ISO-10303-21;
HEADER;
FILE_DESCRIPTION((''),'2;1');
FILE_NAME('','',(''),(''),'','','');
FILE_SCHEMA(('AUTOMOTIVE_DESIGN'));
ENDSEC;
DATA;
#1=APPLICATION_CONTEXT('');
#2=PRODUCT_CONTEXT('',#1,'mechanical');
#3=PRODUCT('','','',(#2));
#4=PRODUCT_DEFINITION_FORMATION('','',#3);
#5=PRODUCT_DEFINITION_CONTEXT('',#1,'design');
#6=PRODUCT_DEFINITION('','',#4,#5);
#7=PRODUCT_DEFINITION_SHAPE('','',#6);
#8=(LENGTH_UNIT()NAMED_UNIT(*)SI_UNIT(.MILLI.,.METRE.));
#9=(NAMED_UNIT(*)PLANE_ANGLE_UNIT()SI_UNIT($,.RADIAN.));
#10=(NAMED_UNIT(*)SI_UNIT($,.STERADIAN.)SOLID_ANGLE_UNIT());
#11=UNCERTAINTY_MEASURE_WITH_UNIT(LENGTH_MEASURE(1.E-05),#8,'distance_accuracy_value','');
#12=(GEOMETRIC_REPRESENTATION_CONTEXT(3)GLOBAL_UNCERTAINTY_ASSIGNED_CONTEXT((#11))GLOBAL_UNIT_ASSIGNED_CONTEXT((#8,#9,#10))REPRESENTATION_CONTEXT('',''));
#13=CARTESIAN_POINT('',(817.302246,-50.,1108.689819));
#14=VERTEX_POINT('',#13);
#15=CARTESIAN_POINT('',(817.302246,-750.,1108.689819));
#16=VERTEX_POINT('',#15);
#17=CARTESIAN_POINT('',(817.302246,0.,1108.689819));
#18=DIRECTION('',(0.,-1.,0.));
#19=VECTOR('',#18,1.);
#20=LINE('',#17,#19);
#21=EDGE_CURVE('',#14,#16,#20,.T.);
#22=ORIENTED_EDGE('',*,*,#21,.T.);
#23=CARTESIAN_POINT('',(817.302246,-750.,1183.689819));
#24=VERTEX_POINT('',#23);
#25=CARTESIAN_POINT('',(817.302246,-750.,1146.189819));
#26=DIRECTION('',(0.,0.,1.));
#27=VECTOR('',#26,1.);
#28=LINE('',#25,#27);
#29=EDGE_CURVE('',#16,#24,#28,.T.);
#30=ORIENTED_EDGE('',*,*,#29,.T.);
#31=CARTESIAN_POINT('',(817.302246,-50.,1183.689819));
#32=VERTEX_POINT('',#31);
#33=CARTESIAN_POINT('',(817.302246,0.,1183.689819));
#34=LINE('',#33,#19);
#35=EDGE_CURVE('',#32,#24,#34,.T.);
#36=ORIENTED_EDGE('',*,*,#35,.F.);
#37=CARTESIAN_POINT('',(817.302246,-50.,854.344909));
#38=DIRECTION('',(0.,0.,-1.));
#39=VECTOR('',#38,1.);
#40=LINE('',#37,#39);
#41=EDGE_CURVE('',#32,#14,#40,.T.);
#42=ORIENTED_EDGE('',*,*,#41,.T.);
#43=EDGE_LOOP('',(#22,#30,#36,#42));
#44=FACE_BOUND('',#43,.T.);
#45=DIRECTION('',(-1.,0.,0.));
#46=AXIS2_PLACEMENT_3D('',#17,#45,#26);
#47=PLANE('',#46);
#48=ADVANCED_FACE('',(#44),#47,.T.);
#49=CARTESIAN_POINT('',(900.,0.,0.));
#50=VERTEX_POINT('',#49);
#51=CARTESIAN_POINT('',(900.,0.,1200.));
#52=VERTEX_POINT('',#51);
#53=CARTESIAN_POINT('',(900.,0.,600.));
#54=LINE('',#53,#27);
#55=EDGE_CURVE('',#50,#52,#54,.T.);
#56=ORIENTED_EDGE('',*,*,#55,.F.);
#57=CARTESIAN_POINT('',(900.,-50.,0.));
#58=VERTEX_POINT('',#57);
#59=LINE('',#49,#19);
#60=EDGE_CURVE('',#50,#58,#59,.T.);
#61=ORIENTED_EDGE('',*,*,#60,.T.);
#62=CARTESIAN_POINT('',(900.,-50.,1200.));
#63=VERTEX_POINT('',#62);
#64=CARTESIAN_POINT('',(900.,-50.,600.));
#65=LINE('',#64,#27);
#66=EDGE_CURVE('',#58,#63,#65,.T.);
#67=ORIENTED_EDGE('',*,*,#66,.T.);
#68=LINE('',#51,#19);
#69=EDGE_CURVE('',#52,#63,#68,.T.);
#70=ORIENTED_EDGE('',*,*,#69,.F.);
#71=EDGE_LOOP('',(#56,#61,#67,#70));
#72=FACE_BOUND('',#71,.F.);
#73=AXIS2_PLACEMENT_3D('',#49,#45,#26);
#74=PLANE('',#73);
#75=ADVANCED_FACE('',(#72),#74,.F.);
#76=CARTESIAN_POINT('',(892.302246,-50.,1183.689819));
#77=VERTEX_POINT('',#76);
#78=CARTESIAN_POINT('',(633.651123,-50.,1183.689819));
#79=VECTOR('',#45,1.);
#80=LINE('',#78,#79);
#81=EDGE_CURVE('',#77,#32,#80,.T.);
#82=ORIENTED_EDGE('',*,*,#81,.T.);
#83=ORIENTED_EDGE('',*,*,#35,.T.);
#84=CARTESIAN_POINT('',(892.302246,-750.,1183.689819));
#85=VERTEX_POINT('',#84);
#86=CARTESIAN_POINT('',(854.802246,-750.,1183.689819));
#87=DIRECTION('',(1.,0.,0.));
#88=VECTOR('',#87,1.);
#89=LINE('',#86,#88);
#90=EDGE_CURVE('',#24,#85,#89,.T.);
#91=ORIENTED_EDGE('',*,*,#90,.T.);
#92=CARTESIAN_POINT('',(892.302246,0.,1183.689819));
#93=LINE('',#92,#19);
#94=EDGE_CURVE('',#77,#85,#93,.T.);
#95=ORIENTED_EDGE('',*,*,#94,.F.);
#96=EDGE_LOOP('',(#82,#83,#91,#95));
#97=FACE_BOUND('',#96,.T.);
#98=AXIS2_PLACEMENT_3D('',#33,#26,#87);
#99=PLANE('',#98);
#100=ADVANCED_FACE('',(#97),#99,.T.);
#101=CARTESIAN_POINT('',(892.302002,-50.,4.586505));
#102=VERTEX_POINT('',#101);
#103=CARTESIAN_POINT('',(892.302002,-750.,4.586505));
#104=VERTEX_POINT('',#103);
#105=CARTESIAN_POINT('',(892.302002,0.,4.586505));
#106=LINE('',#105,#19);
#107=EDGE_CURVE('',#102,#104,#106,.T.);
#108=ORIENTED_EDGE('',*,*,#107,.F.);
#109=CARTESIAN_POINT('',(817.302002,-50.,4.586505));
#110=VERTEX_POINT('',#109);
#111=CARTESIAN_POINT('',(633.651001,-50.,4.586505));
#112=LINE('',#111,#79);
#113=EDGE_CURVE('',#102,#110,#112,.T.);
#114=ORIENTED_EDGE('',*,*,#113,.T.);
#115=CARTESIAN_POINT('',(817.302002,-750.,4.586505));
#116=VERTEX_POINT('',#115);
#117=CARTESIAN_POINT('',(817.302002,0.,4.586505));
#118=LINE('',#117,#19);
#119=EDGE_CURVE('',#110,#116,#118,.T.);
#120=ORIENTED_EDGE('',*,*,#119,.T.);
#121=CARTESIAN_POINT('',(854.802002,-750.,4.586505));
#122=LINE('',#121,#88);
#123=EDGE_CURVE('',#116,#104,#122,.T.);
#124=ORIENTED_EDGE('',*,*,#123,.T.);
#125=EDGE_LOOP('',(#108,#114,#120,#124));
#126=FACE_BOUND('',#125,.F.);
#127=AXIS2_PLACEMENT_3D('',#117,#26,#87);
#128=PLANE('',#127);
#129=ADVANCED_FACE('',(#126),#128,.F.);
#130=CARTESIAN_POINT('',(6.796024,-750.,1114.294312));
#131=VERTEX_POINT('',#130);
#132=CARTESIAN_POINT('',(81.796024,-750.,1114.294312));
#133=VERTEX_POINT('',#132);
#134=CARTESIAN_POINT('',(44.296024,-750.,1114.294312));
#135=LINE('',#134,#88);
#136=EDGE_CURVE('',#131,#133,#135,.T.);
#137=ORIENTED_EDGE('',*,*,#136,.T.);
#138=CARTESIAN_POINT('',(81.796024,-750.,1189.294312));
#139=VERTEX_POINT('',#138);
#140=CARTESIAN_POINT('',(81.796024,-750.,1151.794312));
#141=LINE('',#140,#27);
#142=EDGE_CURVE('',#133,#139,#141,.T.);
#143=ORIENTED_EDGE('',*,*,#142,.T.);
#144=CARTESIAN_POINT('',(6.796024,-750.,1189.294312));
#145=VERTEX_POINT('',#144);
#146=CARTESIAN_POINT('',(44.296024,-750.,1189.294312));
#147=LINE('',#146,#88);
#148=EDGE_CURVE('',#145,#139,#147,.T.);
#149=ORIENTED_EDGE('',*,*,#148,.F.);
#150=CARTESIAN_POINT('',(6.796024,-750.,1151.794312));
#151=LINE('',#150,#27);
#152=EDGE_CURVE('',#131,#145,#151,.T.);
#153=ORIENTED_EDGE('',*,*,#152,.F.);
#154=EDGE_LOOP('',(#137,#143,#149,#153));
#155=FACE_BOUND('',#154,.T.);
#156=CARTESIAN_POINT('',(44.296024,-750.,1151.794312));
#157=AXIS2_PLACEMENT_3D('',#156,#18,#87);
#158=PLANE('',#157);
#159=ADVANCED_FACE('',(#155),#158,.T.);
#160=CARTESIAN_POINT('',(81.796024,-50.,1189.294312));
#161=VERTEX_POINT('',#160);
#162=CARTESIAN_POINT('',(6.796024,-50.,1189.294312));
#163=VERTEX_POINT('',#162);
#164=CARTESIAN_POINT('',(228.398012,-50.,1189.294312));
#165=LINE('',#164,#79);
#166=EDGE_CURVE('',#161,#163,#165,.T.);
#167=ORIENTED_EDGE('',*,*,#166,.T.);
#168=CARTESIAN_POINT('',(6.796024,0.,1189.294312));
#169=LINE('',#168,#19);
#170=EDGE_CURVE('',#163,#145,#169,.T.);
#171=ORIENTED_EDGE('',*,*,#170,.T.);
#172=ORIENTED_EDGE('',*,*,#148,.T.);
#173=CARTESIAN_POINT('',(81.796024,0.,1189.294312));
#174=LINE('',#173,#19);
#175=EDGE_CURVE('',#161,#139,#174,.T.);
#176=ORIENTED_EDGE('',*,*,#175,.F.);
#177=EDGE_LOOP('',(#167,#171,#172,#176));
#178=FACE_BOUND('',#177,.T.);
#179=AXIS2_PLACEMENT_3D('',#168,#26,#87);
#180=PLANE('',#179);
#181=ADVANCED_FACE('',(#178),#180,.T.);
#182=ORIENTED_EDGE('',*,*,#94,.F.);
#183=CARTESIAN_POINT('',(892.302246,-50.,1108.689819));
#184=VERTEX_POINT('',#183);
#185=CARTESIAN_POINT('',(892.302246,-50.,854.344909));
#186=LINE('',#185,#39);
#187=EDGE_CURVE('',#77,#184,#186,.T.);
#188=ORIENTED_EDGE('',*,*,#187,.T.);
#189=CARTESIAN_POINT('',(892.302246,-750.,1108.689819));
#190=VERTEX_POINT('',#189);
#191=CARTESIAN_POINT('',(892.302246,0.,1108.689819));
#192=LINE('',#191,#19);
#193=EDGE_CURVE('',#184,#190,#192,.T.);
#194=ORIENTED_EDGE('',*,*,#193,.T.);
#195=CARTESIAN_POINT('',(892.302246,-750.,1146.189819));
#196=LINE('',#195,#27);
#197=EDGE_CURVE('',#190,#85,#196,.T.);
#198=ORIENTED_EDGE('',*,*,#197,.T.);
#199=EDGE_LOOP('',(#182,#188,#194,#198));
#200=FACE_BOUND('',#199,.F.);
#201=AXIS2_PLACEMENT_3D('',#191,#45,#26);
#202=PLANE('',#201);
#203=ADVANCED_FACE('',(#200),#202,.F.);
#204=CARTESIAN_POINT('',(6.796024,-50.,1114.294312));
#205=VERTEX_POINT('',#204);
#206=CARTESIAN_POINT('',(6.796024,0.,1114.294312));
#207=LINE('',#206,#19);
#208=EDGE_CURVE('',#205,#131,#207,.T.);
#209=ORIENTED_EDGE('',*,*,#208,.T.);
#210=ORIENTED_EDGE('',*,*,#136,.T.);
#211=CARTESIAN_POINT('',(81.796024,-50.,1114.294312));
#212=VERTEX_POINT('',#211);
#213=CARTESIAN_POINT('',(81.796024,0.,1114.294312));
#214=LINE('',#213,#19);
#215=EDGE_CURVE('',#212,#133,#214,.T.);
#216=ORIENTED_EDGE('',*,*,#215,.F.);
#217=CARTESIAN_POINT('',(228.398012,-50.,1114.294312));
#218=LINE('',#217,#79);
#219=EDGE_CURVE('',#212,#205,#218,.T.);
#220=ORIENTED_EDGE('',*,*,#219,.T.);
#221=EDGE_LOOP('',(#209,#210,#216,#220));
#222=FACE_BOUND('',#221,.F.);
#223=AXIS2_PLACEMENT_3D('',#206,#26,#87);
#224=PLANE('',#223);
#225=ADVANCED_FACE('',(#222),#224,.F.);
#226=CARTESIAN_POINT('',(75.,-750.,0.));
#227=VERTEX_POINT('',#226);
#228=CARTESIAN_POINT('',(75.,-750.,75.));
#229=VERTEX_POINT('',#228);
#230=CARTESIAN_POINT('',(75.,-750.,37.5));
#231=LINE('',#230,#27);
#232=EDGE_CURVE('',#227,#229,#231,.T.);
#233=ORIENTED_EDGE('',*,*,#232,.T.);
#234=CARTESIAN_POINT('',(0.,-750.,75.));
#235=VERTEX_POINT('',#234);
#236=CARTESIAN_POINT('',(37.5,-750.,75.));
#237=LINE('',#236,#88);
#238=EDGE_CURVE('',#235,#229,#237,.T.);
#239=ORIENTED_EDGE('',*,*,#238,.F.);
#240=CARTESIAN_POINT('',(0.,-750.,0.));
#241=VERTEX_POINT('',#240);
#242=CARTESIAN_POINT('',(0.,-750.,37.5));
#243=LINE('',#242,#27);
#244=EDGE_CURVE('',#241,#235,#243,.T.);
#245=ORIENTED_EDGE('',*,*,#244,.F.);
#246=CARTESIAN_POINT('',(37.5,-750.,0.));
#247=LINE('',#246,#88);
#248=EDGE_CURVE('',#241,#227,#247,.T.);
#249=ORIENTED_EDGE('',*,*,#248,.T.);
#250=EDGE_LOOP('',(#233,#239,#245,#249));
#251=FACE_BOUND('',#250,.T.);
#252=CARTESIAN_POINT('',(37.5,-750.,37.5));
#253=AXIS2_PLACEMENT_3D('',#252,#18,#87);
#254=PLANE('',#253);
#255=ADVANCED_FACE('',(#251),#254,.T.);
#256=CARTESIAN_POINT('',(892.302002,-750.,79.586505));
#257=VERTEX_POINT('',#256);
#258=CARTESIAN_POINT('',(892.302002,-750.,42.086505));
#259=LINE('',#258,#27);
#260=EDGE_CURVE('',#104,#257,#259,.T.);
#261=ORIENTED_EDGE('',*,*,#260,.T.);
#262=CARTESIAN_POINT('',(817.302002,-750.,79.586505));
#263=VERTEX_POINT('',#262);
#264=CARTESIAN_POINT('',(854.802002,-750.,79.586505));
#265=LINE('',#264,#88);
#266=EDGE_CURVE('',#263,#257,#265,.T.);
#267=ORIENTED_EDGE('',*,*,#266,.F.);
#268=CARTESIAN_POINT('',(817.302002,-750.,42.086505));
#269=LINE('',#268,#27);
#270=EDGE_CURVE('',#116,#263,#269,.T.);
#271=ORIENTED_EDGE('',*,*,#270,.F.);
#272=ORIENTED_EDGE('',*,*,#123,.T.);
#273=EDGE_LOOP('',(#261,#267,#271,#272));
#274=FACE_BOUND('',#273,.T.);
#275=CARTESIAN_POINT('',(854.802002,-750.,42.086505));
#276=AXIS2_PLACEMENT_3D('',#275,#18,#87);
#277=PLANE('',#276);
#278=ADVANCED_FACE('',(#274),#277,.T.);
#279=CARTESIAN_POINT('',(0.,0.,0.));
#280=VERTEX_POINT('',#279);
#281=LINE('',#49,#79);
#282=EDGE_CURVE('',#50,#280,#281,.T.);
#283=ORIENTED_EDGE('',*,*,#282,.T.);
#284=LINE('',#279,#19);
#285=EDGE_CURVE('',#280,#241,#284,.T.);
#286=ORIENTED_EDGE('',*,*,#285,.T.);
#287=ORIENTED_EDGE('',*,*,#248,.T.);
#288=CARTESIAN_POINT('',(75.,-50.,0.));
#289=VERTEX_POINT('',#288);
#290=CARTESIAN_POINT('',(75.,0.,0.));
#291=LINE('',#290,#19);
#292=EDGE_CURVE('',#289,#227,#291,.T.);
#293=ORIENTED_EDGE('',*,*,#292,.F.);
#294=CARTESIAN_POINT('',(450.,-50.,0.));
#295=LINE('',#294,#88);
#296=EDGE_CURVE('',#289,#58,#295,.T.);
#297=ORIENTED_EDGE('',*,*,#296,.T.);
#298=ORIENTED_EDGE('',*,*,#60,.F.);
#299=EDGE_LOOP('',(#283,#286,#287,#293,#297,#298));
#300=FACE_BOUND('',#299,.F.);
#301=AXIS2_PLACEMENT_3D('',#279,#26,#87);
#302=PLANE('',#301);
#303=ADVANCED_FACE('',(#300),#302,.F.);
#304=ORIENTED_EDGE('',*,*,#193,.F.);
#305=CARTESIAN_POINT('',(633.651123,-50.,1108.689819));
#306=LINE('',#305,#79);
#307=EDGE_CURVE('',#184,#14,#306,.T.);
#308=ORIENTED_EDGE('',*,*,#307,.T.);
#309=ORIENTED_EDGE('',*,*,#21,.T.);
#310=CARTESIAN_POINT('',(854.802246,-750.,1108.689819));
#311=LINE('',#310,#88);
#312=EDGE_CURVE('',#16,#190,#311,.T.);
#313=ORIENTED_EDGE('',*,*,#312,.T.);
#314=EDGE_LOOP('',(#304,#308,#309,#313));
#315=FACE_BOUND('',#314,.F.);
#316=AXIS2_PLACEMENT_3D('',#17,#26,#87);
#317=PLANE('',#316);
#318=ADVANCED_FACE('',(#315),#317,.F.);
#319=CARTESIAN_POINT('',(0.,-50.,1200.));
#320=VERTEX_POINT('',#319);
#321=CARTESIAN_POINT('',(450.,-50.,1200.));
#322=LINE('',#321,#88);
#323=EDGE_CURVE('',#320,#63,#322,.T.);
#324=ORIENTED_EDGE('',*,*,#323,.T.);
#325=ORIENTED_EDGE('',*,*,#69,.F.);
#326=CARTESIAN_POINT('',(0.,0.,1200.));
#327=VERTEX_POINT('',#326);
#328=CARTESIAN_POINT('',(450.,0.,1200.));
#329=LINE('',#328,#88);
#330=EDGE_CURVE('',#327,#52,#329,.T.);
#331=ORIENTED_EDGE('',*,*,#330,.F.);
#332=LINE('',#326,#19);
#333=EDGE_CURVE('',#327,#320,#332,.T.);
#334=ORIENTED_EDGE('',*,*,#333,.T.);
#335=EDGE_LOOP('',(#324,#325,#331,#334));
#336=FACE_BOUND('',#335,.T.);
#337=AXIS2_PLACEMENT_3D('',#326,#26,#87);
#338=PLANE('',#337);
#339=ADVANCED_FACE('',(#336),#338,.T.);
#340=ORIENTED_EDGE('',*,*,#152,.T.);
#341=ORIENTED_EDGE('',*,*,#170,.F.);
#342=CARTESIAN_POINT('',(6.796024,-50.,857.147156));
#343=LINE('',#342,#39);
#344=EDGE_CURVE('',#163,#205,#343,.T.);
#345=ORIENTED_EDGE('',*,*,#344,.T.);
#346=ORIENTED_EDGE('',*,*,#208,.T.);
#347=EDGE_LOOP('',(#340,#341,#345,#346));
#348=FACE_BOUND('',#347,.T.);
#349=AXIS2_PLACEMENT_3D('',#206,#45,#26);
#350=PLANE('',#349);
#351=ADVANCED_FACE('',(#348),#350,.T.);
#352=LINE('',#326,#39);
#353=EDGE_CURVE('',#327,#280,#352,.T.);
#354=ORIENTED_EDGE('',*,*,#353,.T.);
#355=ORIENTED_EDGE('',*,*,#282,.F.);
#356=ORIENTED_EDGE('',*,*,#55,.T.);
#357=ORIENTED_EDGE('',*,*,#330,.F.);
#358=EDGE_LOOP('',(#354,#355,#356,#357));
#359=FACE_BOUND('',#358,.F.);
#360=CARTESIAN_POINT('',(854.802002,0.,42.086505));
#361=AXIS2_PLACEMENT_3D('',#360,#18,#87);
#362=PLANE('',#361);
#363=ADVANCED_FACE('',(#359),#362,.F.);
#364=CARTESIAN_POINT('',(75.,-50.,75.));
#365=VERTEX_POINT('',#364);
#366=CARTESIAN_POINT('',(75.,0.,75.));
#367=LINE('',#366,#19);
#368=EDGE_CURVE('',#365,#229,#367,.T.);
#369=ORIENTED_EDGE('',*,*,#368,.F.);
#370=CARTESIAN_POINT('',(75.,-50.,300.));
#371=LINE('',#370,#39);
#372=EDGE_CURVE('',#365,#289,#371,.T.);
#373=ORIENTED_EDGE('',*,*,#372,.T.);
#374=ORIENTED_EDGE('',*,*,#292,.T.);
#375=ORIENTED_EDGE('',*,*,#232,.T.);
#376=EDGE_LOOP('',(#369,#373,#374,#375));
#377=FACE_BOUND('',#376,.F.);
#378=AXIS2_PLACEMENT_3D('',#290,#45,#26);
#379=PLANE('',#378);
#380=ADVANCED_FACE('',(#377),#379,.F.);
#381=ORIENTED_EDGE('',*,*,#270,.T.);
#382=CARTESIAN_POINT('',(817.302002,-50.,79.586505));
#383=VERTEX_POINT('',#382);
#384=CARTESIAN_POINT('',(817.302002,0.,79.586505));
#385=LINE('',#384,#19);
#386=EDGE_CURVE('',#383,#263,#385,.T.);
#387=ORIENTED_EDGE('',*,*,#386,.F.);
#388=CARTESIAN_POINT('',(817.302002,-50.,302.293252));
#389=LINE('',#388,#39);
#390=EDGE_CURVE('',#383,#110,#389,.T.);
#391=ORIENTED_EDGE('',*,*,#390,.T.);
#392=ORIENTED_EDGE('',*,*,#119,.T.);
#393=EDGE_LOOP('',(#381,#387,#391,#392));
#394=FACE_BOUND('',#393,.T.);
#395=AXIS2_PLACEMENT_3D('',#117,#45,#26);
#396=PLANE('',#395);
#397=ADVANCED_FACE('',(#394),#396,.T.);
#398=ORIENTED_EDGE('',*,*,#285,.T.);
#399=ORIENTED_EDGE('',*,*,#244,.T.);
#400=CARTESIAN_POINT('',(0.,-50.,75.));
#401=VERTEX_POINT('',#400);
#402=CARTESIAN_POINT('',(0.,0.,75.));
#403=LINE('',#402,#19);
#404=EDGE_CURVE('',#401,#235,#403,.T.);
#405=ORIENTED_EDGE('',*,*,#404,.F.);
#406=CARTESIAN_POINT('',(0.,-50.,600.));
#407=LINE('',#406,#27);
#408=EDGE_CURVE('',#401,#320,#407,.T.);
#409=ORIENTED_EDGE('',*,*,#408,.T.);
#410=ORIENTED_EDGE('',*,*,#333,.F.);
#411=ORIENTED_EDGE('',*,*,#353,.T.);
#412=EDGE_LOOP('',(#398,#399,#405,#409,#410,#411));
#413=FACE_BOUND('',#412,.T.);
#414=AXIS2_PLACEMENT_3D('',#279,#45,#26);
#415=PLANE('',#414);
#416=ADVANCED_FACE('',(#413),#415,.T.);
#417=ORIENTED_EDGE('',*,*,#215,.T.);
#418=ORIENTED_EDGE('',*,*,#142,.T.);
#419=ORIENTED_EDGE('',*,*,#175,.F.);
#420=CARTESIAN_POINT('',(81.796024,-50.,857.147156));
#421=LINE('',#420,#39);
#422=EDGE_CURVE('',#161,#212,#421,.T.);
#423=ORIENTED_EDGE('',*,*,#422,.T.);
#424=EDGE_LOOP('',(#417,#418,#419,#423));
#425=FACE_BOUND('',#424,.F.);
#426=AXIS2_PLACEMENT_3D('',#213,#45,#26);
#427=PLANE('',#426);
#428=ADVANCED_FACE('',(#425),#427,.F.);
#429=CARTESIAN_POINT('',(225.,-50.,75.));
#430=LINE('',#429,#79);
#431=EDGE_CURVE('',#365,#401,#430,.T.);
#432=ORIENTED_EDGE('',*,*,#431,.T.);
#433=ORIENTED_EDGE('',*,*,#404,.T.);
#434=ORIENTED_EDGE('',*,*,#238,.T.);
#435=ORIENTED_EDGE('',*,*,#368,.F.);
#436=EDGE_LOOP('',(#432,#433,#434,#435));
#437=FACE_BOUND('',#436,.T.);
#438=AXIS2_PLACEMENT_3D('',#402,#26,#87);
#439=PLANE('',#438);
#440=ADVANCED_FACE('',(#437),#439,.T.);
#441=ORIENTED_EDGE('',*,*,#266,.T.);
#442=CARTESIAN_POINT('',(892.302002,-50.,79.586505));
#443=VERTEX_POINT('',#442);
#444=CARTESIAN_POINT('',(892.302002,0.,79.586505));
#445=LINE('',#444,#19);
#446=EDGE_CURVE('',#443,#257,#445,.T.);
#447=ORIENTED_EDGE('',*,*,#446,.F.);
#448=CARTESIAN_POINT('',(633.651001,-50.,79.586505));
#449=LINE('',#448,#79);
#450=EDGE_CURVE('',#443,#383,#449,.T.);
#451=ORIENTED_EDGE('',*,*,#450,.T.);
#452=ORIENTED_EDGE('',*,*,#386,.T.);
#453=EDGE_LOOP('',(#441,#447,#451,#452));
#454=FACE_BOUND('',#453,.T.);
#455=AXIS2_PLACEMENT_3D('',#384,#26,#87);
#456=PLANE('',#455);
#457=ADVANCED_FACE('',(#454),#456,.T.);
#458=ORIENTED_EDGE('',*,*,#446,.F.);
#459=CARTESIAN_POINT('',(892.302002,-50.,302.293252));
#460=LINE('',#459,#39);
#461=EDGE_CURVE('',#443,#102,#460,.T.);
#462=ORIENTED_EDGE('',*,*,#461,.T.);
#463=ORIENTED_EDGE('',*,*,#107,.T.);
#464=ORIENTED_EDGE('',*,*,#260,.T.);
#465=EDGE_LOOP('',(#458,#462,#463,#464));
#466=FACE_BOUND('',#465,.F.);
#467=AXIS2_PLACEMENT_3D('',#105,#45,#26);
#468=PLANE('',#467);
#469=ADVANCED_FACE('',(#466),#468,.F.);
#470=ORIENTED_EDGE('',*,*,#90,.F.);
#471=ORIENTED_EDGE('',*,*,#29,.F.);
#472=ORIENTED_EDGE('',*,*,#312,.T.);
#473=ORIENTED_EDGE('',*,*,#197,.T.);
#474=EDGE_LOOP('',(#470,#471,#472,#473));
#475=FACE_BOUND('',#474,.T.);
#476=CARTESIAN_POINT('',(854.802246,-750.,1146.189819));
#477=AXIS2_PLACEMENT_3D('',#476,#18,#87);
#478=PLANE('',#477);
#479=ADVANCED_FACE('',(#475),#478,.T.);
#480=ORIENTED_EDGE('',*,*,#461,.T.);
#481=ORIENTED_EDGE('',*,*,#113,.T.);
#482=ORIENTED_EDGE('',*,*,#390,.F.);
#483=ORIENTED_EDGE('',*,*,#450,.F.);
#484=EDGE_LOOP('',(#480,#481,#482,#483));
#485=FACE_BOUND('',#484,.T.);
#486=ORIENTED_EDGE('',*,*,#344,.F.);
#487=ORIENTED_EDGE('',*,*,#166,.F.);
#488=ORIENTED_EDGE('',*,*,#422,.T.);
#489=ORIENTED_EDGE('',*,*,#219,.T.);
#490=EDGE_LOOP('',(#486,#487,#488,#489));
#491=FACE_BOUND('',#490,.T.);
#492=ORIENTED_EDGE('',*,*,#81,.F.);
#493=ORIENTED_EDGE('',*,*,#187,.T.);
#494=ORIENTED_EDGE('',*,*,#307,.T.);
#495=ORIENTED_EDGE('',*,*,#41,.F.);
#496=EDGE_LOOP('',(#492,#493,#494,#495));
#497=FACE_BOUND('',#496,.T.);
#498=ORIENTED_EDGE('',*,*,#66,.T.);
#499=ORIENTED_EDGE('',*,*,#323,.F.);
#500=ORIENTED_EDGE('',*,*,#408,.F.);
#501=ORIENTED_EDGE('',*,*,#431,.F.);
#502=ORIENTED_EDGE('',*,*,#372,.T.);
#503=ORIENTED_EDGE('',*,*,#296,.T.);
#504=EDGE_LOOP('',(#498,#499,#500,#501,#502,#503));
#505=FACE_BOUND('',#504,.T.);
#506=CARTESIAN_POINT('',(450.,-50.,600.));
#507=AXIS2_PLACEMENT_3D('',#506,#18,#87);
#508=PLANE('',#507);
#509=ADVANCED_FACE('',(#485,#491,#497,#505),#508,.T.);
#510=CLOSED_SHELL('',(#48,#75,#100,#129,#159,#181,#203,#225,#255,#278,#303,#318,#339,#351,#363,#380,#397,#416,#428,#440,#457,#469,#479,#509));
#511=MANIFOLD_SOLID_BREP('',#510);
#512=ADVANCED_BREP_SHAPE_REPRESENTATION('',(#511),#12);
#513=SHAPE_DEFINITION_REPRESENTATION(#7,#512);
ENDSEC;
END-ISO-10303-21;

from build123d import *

# Parameters (mm, degrees)
SKETCH_W     = 900
SKETCH_H     = 1200
PAD_DEPTH    = 50
SKETCH001_W  = 75
SKETCH001_H  = 75
PAD001_DEPTH = 750
SKETCH002_W  = 75
SKETCH002_H  = 75
PAD002_DEPTH = 750
SKETCH003_W  = 75
SKETCH003_H  = 75
PAD003_DEPTH = 750
SKETCH004_W  = 75
SKETCH004_H  = 75
PAD004_DEPTH = 750


with BuildPart() as part:
    # Sketch → Pad (new body)
    with BuildSketch(Plane.XZ):
        with Locations((450, 600)):
            Rectangle(SKETCH_W, SKETCH_H)
    extrude(amount=PAD_DEPTH)

    # Sketch001 → Pad001 (join)
    with BuildSketch(Plane.XZ):
        with Locations((37.5, 37.5)):
            Rectangle(SKETCH001_W, SKETCH001_H)
    extrude(amount=PAD001_DEPTH)

    # Sketch002 → Pad002 (join)
    with BuildSketch(Plane.XZ):
        with Locations((44.296024, 1151.794312)):
            Rectangle(SKETCH002_W, SKETCH002_H)
    extrude(amount=PAD002_DEPTH)

    # Sketch003 → Pad003 (join)
    with BuildSketch(Plane.XZ):
        with Locations((854.802246, 1146.189819)):
            Rectangle(SKETCH003_W, SKETCH003_H)
    extrude(amount=PAD003_DEPTH)

    # Sketch004 → Pad004 (join)
    with BuildSketch(Plane.XZ):
        with Locations((854.802002, 42.086505)):
            Rectangle(SKETCH004_W, SKETCH004_H)
    extrude(amount=PAD004_DEPTH)


solid = part.part
